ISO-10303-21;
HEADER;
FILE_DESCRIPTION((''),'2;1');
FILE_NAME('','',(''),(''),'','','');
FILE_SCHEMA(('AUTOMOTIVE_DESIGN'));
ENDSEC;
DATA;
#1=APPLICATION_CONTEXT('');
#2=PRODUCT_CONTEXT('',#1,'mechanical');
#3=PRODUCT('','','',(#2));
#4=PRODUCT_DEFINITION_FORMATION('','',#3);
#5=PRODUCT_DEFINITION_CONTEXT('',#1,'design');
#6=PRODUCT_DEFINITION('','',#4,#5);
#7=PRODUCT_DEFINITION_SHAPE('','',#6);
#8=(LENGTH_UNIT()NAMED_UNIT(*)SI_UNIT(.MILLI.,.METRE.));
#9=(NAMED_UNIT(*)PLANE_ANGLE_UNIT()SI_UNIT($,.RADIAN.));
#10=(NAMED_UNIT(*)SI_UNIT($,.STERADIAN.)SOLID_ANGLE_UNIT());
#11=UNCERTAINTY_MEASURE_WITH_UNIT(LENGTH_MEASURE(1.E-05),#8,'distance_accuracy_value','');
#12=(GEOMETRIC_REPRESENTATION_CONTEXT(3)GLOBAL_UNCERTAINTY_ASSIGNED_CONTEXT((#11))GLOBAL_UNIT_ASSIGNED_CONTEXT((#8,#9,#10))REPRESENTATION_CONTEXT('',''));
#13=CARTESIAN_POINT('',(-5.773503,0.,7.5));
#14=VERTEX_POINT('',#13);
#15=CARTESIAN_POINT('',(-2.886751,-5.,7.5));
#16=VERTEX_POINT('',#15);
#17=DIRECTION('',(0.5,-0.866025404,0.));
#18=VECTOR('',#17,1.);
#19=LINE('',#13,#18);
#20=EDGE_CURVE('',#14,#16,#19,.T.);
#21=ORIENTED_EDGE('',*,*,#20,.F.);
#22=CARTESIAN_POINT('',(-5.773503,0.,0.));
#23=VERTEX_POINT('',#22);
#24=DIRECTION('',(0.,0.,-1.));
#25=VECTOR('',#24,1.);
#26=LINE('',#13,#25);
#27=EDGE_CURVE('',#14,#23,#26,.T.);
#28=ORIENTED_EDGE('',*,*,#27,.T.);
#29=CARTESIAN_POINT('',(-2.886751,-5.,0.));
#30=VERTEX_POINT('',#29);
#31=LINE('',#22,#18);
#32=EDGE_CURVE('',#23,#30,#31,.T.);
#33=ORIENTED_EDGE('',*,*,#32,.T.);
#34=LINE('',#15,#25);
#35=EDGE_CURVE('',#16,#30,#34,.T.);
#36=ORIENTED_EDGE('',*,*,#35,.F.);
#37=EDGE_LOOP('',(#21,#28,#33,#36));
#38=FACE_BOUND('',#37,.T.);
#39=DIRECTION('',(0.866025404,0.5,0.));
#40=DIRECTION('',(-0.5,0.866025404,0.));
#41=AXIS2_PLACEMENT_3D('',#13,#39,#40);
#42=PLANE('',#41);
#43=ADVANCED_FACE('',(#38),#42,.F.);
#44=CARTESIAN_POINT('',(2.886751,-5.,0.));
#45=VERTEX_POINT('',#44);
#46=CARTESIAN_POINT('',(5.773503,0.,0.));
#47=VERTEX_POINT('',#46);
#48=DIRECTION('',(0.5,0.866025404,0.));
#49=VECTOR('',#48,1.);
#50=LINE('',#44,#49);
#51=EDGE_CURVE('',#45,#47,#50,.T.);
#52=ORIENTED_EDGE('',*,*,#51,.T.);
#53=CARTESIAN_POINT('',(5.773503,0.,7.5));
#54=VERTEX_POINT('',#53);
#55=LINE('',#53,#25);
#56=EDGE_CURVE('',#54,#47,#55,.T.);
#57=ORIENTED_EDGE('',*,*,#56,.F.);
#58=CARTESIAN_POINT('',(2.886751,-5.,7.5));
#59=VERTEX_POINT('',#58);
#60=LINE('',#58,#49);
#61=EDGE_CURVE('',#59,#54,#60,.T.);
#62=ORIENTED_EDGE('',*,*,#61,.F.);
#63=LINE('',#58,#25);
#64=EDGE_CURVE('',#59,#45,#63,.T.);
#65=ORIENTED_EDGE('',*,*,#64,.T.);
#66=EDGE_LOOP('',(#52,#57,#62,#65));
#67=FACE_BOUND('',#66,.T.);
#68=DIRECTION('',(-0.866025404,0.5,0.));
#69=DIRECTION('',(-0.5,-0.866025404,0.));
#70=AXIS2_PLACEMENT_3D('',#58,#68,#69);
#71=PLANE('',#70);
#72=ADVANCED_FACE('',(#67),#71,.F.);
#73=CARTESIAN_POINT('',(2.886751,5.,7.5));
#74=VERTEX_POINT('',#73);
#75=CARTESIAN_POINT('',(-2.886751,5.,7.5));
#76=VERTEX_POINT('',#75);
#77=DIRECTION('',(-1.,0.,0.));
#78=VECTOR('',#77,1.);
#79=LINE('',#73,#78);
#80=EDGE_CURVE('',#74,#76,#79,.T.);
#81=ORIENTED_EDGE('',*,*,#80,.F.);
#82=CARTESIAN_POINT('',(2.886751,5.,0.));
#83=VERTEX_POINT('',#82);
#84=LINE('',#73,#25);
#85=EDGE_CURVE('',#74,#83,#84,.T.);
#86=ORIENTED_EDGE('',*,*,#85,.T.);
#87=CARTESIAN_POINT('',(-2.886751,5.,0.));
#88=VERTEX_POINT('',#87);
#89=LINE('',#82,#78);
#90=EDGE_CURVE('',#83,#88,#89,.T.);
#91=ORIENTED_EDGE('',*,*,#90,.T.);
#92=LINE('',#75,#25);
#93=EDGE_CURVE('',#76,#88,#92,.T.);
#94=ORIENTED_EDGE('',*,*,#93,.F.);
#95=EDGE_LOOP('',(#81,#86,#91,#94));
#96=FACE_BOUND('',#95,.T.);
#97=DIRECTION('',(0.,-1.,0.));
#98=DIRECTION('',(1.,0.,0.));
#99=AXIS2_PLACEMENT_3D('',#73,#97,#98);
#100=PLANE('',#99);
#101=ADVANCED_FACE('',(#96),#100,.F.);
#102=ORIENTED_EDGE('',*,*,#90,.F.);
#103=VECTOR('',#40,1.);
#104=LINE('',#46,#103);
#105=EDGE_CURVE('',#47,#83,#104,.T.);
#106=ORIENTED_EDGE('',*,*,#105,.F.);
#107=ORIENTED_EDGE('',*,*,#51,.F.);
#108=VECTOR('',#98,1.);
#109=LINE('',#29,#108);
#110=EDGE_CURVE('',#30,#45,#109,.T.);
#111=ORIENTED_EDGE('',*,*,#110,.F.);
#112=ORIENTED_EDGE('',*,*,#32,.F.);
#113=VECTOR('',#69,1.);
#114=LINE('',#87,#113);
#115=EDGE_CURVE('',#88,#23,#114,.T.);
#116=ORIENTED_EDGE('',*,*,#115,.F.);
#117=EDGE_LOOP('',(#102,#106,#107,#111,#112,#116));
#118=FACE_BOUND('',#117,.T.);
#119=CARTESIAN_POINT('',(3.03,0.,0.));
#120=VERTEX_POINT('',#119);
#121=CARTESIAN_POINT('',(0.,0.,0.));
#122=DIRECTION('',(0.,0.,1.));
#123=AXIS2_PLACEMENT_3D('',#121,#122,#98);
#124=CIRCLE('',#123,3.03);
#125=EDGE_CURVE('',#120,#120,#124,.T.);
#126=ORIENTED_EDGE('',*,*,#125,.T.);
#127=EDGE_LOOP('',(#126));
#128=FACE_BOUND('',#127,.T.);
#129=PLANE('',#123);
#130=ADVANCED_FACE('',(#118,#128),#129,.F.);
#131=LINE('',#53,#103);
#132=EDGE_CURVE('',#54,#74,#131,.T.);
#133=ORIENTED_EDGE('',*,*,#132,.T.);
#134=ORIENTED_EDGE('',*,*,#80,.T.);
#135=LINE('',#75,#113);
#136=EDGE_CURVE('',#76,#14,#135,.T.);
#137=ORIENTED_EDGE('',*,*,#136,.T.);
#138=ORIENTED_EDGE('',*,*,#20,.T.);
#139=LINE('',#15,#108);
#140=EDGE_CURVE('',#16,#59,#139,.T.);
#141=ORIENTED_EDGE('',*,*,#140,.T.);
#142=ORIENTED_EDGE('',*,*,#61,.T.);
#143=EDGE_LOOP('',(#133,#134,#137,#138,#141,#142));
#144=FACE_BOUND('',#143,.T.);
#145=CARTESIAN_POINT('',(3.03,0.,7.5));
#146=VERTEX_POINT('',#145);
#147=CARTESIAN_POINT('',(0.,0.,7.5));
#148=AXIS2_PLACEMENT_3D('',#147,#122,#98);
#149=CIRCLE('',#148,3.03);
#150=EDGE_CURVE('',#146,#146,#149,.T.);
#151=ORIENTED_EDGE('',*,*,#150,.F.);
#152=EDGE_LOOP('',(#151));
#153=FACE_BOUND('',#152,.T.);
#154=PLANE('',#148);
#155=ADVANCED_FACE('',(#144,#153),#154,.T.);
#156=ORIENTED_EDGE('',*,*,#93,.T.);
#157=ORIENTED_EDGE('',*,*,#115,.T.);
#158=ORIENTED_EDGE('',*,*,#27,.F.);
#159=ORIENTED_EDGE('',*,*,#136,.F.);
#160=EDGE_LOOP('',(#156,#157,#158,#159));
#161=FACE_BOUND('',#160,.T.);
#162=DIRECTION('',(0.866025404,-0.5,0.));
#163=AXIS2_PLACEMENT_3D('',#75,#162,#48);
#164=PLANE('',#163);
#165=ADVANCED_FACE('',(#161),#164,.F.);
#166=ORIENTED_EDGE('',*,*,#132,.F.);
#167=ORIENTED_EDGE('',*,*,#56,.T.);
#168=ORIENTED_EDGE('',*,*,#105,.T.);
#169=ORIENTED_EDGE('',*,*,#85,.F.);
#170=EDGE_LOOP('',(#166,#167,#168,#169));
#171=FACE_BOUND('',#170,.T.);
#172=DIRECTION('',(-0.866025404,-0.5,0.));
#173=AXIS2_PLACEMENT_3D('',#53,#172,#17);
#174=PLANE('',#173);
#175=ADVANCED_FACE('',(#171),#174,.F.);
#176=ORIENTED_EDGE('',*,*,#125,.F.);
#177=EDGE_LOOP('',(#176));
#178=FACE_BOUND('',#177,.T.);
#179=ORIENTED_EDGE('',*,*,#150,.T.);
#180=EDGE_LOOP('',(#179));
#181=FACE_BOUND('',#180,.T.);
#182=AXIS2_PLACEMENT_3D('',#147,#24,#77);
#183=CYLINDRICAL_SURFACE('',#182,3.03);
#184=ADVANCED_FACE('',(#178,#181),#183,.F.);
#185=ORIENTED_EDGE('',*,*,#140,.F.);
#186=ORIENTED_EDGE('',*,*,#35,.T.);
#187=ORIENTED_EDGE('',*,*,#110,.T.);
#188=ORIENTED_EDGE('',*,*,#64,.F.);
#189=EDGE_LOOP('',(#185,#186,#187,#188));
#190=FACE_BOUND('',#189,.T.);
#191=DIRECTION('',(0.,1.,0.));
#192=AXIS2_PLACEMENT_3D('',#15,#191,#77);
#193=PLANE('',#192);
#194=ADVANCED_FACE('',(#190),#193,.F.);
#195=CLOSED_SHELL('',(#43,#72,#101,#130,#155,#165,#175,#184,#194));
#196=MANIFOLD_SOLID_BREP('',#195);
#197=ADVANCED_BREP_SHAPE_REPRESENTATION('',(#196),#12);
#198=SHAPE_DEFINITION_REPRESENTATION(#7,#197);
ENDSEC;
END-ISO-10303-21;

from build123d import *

# Parameters (mm, degrees)
S01_HEXAGON_AND_NOMINAL_THREAD_ENVELOP_R       = 3.03
F_01_HEXAGON_AND_NOMINAL_THREAD_ENVELOPE_DEPTH = 7.5


with BuildPart() as part:
    # S01 - Hexagon and nominal thread envelope → 01 - Hexagon and nominal thread envelope (new body)
    with BuildSketch(Plane.XY):
        Polygon((5.773502692, 0), (2.886751346, 5), (-2.886751346, 5), (-5.773502692, 0), (-2.886751346, -5), (2.886751346, -5), align=None)
        Circle(S01_HEXAGON_AND_NOMINAL_THREAD_ENVELOP_R, mode=Mode.SUBTRACT)
    extrude(amount=F_01_HEXAGON_AND_NOMINAL_THREAD_ENVELOPE_DEPTH)


solid = part.part
